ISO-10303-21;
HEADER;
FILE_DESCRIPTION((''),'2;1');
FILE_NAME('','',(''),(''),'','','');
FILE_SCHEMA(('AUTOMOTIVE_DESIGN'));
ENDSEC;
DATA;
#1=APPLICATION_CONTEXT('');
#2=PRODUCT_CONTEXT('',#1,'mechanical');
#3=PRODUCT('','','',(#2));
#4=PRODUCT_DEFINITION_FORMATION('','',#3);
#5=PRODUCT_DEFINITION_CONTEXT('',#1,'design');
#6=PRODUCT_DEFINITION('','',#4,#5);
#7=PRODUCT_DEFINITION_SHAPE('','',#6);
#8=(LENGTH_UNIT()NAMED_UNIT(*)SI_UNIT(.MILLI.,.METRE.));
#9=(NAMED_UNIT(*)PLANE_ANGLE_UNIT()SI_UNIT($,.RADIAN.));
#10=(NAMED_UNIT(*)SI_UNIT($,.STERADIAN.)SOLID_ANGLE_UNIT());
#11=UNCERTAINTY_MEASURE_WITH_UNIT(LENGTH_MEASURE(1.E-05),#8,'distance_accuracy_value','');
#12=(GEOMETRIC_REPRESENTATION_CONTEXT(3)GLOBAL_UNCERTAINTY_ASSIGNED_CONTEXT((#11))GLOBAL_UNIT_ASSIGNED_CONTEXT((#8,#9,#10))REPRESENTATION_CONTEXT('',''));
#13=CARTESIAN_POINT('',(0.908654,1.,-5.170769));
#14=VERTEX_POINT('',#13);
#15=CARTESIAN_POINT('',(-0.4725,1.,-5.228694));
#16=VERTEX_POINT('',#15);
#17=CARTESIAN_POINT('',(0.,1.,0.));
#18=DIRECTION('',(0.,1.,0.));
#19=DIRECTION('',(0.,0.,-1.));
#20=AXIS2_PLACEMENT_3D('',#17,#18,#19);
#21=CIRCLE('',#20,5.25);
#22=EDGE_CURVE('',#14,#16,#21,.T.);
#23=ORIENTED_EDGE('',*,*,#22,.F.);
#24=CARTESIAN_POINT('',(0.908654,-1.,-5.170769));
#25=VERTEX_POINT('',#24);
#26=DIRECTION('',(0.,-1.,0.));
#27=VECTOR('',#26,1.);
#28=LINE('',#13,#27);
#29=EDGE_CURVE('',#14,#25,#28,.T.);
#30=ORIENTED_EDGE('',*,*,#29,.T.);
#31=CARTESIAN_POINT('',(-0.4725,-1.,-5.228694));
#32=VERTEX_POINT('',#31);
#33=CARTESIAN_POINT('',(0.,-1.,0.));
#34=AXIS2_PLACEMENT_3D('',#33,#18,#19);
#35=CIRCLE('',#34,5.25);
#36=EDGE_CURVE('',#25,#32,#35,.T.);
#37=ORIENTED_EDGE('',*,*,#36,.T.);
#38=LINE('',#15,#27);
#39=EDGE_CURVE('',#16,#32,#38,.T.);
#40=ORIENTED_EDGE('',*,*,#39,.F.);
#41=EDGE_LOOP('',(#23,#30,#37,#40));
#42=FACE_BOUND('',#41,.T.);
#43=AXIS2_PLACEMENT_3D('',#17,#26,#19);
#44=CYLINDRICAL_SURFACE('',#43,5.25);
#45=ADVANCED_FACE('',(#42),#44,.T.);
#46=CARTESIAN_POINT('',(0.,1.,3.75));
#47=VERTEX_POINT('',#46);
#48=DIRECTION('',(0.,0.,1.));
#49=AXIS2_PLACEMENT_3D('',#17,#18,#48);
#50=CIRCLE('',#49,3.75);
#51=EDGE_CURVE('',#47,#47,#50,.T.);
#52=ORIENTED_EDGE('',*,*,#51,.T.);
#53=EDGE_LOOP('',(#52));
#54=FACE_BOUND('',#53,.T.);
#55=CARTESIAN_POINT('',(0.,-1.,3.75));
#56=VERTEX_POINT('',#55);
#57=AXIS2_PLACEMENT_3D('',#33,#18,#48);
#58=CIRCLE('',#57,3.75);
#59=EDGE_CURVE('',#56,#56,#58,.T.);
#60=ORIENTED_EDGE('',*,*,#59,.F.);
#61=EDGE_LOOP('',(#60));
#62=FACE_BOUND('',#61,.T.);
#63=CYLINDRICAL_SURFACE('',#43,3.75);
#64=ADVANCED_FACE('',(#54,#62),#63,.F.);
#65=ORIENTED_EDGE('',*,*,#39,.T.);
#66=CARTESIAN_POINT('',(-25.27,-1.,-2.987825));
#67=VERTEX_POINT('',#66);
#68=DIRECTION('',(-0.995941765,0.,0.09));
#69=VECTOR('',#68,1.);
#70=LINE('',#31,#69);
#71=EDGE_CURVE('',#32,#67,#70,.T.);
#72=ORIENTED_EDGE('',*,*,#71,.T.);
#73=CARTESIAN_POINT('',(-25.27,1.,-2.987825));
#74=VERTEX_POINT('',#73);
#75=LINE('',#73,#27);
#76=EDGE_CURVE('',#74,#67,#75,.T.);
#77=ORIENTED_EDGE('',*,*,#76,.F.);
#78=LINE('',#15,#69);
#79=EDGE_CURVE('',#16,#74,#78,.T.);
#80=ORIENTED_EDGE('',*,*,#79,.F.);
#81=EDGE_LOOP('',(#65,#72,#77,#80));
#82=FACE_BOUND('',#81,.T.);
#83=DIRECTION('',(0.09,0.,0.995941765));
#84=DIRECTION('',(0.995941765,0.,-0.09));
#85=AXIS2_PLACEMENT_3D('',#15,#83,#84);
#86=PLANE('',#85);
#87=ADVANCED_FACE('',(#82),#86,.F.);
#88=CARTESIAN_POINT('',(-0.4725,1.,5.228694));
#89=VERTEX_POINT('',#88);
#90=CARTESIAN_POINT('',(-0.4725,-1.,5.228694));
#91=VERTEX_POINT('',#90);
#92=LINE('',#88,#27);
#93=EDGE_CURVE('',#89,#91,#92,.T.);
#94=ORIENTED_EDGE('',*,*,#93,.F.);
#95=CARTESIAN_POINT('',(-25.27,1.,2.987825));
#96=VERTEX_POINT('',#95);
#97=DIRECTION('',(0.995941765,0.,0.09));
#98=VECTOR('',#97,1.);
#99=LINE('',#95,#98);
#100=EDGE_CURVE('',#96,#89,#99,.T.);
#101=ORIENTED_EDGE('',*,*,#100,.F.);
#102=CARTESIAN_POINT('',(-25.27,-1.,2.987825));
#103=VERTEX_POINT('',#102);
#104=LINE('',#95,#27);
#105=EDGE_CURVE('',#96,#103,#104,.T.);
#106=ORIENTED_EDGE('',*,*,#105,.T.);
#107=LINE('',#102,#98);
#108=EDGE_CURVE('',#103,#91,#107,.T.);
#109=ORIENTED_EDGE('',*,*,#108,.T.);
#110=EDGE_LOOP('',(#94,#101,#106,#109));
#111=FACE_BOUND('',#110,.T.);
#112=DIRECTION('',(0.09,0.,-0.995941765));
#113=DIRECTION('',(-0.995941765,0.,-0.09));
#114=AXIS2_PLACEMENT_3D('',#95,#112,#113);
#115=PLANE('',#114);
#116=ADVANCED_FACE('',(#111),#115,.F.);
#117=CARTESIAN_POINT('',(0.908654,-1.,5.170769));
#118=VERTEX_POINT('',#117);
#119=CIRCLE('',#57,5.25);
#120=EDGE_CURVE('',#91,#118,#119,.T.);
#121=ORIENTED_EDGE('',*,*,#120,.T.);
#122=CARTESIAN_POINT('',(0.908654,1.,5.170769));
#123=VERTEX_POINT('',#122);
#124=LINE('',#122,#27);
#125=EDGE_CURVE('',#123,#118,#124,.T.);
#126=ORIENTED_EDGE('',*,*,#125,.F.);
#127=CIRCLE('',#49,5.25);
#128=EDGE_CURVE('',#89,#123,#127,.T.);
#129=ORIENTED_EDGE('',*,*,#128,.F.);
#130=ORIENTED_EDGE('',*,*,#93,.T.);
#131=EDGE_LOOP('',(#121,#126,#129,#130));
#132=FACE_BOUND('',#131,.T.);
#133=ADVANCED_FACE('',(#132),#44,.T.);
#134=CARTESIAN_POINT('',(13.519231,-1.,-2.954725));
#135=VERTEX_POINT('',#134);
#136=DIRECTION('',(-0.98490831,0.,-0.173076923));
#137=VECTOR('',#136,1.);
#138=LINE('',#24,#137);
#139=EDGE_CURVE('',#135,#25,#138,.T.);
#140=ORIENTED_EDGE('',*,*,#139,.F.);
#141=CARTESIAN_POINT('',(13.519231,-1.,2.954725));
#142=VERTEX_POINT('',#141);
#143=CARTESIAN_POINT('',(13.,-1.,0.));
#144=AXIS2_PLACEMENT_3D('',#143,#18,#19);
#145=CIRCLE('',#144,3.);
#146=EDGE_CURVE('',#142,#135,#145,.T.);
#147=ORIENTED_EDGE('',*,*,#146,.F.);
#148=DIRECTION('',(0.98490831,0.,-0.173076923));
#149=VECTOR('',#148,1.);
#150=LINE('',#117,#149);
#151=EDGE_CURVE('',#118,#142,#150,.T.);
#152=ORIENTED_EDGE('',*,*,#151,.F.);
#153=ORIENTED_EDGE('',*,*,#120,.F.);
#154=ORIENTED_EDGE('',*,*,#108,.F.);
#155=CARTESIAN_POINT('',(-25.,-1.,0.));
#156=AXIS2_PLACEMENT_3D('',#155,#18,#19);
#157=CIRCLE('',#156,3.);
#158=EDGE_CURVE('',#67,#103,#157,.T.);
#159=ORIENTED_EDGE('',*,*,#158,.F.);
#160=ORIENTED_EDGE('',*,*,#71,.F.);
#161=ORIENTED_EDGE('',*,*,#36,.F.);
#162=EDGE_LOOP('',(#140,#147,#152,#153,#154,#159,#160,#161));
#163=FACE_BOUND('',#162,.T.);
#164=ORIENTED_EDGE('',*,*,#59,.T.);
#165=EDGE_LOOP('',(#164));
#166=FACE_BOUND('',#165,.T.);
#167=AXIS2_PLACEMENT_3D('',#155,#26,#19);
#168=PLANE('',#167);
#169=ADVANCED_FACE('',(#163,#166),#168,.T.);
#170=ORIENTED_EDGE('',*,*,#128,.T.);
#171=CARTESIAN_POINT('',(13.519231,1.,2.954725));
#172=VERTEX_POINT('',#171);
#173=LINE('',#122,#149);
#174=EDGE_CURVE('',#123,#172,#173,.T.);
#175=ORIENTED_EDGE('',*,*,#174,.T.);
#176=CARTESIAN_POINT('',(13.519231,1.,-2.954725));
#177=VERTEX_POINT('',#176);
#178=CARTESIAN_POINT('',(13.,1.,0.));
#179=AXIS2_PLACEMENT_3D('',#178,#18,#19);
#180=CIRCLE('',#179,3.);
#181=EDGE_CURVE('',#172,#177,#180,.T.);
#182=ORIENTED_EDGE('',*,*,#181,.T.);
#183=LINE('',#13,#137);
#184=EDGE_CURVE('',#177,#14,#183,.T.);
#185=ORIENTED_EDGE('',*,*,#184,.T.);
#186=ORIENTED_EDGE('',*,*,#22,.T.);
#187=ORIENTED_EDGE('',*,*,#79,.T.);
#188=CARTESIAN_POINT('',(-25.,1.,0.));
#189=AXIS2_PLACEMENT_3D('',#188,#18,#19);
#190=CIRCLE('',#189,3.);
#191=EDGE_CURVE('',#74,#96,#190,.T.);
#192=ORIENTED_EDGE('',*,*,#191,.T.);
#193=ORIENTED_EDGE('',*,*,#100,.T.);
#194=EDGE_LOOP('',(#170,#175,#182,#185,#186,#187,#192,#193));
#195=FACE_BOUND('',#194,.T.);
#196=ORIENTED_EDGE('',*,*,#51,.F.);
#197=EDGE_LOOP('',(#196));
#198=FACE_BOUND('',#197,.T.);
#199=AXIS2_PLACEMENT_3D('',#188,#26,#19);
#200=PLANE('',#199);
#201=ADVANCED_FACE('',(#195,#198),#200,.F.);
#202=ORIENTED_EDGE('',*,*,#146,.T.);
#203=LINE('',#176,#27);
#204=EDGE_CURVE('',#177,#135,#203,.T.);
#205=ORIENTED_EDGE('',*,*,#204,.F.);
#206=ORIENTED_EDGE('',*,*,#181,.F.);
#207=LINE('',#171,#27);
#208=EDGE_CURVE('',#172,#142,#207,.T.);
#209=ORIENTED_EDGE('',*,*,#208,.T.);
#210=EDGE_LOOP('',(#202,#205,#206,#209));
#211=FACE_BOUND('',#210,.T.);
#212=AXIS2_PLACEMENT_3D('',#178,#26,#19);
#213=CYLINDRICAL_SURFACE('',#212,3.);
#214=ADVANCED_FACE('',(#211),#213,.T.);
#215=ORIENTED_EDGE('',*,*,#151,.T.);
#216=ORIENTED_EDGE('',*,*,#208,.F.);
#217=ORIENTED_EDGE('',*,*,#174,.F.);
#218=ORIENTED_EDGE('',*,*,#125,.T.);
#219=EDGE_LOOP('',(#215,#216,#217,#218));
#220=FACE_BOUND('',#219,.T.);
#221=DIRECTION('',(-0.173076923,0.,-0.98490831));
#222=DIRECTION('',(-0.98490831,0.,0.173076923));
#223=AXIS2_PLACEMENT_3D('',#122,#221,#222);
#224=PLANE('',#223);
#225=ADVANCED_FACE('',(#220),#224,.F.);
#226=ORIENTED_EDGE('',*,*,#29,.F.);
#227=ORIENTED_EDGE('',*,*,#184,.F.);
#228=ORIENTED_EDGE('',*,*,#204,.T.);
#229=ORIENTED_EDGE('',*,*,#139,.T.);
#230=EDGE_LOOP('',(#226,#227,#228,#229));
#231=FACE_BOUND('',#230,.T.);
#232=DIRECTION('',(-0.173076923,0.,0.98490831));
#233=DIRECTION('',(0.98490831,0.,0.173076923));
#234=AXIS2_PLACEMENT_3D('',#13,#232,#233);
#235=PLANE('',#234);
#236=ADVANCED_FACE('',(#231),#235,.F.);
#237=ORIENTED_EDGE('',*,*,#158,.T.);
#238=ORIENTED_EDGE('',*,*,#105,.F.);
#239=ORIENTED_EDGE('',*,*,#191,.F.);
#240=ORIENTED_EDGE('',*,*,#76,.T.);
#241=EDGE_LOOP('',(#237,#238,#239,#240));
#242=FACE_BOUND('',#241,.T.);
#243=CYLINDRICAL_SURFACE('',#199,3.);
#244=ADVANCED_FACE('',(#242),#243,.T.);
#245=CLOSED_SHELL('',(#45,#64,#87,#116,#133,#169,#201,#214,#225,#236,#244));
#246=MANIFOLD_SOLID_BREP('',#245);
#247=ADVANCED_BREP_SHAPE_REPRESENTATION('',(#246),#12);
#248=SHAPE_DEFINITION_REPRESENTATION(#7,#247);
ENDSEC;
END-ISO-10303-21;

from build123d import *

# Parameters (mm, degrees)
SKETCH1_R           = 3.75
BOSS_EXTRUDE1_DEPTH = 1


with BuildPart() as part:
    # Sketch1 → Boss-Extrude1 (new body, symmetric)
    with BuildSketch(Plane(origin=(0, 0, 0), x_dir=(1, 0, 0), z_dir=(0, 1, 0))):
        with BuildLine():
            Line((-25.27, -2.987825296), (-0.4725, -5.228694268))
            ThreePointArc((-0.4725, -5.228694268), (0.219991794, -5.245388795), (0.908653846, -5.170768626))
            Line((0.908653846, -5.170768626), (13.519230769, -2.954724929))
            ThreePointArc((13.519230769, -2.954724929), (16, 0), (13.519230769, 2.954724929))
            Line((13.519230769, 2.954724929), (0.908653846, 5.170768626))
            ThreePointArc((0.908653846, 5.170768626), (0.219991794, 5.245388795), (-0.4725, 5.228694268))
            Line((-0.4725, 5.228694268), (-25.27, 2.987825296))
            ThreePointArc((-25.27, 2.987825296), (-28, 0), (-25.27, -2.987825296))
        make_face()
        Circle(SKETCH1_R, mode=Mode.SUBTRACT)
    extrude(amount=BOSS_EXTRUDE1_DEPTH, both=True)


solid = part.part
